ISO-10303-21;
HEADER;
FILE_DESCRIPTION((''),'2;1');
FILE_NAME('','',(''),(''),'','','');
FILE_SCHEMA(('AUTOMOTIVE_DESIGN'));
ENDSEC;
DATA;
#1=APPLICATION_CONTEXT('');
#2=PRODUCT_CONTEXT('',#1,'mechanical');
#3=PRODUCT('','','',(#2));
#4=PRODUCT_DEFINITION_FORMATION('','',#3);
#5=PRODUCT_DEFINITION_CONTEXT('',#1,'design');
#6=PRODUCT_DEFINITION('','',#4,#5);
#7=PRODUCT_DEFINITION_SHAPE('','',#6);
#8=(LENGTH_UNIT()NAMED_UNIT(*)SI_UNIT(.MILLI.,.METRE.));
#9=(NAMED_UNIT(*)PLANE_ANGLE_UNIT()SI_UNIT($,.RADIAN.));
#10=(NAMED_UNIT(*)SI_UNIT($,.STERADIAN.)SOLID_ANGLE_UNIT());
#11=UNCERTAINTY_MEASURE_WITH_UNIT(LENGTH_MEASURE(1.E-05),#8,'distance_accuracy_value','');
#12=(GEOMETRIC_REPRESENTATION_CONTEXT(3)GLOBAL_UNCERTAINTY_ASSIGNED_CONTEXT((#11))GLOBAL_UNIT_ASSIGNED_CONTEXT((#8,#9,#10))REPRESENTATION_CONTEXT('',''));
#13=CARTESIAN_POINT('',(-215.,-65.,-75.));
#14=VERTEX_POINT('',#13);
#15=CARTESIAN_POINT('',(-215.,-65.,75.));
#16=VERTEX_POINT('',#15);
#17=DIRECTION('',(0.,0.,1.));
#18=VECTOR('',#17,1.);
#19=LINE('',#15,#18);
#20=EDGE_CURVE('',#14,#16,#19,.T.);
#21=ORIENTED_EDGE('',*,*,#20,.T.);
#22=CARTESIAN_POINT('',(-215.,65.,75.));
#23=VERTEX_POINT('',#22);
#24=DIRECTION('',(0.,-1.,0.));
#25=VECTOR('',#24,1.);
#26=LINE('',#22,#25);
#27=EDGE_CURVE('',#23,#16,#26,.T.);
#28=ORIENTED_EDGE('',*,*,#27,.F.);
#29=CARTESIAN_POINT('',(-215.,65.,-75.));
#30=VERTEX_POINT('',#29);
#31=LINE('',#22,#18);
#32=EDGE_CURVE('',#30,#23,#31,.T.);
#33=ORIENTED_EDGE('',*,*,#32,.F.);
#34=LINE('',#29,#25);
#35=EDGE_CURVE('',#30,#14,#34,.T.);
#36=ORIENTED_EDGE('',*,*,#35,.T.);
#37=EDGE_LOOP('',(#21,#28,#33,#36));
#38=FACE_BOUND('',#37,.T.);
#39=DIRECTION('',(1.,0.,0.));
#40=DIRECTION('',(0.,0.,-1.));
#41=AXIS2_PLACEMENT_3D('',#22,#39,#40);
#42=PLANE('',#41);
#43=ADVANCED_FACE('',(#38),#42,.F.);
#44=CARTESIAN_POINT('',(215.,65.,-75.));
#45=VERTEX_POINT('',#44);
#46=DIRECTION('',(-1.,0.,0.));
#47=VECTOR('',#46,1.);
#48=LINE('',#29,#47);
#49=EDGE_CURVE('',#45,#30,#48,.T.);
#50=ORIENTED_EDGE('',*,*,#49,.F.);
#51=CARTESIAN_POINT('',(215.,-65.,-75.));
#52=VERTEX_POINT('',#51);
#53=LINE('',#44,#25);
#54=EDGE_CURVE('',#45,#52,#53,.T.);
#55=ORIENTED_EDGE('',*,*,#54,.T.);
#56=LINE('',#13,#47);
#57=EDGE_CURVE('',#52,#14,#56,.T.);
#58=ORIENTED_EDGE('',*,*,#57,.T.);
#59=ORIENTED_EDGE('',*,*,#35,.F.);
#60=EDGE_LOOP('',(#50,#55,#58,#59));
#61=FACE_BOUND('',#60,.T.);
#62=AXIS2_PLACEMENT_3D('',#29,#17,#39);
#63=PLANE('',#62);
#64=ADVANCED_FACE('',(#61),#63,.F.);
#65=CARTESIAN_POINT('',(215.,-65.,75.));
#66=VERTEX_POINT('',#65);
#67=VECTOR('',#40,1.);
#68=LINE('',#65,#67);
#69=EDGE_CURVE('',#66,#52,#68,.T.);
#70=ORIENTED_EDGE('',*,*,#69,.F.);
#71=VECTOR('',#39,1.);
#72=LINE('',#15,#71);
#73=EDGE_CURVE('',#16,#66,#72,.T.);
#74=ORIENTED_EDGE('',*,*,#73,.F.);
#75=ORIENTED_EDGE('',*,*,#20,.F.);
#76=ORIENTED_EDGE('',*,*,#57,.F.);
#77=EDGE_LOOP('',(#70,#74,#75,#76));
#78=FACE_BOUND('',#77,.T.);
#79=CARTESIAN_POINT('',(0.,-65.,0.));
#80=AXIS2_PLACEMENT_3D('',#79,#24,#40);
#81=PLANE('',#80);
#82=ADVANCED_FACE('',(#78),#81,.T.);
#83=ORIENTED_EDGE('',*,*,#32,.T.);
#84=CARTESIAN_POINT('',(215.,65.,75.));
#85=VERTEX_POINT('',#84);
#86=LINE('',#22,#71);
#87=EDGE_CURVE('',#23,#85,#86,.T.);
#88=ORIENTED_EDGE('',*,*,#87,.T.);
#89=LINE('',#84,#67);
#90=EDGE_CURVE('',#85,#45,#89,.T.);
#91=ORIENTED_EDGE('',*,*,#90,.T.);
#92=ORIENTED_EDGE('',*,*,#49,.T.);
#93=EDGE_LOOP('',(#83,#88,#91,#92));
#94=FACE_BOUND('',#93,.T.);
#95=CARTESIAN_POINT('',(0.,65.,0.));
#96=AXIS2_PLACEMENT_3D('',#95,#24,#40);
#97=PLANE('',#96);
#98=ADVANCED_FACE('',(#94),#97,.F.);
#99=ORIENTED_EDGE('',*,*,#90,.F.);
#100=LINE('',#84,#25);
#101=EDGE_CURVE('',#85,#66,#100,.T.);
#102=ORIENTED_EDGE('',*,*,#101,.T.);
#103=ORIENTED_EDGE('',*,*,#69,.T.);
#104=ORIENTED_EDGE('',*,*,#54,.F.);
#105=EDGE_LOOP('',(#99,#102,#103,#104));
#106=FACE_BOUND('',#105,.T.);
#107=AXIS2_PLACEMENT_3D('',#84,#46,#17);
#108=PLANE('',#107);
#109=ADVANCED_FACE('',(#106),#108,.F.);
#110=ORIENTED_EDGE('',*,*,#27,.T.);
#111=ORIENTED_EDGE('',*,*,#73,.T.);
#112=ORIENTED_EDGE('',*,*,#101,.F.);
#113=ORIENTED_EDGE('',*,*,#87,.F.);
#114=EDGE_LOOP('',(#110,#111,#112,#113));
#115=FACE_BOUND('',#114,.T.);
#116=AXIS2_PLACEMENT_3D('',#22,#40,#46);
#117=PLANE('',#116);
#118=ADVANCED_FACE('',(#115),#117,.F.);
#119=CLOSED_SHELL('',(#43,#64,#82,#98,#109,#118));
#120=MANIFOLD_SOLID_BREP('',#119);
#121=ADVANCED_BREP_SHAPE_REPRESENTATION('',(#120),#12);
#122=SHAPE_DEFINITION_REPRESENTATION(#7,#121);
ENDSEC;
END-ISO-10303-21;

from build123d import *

# Parameters (mm, degrees)
SKETCH_1_W      = 430
SKETCH_1_H      = 150
EXTRUDE_1_DEPTH = 65


with BuildPart() as part:
    # 草图1 → 凸台-拉伸1 (new, symmetric)
    with BuildSketch(Plane(origin=(0, 0, 0), x_dir=(1, 0, 0), z_dir=(0, 1, 0))):
        Rectangle(SKETCH_1_W, SKETCH_1_H)
    extrude(amount=EXTRUDE_1_DEPTH, both=True)


solid = part.part
